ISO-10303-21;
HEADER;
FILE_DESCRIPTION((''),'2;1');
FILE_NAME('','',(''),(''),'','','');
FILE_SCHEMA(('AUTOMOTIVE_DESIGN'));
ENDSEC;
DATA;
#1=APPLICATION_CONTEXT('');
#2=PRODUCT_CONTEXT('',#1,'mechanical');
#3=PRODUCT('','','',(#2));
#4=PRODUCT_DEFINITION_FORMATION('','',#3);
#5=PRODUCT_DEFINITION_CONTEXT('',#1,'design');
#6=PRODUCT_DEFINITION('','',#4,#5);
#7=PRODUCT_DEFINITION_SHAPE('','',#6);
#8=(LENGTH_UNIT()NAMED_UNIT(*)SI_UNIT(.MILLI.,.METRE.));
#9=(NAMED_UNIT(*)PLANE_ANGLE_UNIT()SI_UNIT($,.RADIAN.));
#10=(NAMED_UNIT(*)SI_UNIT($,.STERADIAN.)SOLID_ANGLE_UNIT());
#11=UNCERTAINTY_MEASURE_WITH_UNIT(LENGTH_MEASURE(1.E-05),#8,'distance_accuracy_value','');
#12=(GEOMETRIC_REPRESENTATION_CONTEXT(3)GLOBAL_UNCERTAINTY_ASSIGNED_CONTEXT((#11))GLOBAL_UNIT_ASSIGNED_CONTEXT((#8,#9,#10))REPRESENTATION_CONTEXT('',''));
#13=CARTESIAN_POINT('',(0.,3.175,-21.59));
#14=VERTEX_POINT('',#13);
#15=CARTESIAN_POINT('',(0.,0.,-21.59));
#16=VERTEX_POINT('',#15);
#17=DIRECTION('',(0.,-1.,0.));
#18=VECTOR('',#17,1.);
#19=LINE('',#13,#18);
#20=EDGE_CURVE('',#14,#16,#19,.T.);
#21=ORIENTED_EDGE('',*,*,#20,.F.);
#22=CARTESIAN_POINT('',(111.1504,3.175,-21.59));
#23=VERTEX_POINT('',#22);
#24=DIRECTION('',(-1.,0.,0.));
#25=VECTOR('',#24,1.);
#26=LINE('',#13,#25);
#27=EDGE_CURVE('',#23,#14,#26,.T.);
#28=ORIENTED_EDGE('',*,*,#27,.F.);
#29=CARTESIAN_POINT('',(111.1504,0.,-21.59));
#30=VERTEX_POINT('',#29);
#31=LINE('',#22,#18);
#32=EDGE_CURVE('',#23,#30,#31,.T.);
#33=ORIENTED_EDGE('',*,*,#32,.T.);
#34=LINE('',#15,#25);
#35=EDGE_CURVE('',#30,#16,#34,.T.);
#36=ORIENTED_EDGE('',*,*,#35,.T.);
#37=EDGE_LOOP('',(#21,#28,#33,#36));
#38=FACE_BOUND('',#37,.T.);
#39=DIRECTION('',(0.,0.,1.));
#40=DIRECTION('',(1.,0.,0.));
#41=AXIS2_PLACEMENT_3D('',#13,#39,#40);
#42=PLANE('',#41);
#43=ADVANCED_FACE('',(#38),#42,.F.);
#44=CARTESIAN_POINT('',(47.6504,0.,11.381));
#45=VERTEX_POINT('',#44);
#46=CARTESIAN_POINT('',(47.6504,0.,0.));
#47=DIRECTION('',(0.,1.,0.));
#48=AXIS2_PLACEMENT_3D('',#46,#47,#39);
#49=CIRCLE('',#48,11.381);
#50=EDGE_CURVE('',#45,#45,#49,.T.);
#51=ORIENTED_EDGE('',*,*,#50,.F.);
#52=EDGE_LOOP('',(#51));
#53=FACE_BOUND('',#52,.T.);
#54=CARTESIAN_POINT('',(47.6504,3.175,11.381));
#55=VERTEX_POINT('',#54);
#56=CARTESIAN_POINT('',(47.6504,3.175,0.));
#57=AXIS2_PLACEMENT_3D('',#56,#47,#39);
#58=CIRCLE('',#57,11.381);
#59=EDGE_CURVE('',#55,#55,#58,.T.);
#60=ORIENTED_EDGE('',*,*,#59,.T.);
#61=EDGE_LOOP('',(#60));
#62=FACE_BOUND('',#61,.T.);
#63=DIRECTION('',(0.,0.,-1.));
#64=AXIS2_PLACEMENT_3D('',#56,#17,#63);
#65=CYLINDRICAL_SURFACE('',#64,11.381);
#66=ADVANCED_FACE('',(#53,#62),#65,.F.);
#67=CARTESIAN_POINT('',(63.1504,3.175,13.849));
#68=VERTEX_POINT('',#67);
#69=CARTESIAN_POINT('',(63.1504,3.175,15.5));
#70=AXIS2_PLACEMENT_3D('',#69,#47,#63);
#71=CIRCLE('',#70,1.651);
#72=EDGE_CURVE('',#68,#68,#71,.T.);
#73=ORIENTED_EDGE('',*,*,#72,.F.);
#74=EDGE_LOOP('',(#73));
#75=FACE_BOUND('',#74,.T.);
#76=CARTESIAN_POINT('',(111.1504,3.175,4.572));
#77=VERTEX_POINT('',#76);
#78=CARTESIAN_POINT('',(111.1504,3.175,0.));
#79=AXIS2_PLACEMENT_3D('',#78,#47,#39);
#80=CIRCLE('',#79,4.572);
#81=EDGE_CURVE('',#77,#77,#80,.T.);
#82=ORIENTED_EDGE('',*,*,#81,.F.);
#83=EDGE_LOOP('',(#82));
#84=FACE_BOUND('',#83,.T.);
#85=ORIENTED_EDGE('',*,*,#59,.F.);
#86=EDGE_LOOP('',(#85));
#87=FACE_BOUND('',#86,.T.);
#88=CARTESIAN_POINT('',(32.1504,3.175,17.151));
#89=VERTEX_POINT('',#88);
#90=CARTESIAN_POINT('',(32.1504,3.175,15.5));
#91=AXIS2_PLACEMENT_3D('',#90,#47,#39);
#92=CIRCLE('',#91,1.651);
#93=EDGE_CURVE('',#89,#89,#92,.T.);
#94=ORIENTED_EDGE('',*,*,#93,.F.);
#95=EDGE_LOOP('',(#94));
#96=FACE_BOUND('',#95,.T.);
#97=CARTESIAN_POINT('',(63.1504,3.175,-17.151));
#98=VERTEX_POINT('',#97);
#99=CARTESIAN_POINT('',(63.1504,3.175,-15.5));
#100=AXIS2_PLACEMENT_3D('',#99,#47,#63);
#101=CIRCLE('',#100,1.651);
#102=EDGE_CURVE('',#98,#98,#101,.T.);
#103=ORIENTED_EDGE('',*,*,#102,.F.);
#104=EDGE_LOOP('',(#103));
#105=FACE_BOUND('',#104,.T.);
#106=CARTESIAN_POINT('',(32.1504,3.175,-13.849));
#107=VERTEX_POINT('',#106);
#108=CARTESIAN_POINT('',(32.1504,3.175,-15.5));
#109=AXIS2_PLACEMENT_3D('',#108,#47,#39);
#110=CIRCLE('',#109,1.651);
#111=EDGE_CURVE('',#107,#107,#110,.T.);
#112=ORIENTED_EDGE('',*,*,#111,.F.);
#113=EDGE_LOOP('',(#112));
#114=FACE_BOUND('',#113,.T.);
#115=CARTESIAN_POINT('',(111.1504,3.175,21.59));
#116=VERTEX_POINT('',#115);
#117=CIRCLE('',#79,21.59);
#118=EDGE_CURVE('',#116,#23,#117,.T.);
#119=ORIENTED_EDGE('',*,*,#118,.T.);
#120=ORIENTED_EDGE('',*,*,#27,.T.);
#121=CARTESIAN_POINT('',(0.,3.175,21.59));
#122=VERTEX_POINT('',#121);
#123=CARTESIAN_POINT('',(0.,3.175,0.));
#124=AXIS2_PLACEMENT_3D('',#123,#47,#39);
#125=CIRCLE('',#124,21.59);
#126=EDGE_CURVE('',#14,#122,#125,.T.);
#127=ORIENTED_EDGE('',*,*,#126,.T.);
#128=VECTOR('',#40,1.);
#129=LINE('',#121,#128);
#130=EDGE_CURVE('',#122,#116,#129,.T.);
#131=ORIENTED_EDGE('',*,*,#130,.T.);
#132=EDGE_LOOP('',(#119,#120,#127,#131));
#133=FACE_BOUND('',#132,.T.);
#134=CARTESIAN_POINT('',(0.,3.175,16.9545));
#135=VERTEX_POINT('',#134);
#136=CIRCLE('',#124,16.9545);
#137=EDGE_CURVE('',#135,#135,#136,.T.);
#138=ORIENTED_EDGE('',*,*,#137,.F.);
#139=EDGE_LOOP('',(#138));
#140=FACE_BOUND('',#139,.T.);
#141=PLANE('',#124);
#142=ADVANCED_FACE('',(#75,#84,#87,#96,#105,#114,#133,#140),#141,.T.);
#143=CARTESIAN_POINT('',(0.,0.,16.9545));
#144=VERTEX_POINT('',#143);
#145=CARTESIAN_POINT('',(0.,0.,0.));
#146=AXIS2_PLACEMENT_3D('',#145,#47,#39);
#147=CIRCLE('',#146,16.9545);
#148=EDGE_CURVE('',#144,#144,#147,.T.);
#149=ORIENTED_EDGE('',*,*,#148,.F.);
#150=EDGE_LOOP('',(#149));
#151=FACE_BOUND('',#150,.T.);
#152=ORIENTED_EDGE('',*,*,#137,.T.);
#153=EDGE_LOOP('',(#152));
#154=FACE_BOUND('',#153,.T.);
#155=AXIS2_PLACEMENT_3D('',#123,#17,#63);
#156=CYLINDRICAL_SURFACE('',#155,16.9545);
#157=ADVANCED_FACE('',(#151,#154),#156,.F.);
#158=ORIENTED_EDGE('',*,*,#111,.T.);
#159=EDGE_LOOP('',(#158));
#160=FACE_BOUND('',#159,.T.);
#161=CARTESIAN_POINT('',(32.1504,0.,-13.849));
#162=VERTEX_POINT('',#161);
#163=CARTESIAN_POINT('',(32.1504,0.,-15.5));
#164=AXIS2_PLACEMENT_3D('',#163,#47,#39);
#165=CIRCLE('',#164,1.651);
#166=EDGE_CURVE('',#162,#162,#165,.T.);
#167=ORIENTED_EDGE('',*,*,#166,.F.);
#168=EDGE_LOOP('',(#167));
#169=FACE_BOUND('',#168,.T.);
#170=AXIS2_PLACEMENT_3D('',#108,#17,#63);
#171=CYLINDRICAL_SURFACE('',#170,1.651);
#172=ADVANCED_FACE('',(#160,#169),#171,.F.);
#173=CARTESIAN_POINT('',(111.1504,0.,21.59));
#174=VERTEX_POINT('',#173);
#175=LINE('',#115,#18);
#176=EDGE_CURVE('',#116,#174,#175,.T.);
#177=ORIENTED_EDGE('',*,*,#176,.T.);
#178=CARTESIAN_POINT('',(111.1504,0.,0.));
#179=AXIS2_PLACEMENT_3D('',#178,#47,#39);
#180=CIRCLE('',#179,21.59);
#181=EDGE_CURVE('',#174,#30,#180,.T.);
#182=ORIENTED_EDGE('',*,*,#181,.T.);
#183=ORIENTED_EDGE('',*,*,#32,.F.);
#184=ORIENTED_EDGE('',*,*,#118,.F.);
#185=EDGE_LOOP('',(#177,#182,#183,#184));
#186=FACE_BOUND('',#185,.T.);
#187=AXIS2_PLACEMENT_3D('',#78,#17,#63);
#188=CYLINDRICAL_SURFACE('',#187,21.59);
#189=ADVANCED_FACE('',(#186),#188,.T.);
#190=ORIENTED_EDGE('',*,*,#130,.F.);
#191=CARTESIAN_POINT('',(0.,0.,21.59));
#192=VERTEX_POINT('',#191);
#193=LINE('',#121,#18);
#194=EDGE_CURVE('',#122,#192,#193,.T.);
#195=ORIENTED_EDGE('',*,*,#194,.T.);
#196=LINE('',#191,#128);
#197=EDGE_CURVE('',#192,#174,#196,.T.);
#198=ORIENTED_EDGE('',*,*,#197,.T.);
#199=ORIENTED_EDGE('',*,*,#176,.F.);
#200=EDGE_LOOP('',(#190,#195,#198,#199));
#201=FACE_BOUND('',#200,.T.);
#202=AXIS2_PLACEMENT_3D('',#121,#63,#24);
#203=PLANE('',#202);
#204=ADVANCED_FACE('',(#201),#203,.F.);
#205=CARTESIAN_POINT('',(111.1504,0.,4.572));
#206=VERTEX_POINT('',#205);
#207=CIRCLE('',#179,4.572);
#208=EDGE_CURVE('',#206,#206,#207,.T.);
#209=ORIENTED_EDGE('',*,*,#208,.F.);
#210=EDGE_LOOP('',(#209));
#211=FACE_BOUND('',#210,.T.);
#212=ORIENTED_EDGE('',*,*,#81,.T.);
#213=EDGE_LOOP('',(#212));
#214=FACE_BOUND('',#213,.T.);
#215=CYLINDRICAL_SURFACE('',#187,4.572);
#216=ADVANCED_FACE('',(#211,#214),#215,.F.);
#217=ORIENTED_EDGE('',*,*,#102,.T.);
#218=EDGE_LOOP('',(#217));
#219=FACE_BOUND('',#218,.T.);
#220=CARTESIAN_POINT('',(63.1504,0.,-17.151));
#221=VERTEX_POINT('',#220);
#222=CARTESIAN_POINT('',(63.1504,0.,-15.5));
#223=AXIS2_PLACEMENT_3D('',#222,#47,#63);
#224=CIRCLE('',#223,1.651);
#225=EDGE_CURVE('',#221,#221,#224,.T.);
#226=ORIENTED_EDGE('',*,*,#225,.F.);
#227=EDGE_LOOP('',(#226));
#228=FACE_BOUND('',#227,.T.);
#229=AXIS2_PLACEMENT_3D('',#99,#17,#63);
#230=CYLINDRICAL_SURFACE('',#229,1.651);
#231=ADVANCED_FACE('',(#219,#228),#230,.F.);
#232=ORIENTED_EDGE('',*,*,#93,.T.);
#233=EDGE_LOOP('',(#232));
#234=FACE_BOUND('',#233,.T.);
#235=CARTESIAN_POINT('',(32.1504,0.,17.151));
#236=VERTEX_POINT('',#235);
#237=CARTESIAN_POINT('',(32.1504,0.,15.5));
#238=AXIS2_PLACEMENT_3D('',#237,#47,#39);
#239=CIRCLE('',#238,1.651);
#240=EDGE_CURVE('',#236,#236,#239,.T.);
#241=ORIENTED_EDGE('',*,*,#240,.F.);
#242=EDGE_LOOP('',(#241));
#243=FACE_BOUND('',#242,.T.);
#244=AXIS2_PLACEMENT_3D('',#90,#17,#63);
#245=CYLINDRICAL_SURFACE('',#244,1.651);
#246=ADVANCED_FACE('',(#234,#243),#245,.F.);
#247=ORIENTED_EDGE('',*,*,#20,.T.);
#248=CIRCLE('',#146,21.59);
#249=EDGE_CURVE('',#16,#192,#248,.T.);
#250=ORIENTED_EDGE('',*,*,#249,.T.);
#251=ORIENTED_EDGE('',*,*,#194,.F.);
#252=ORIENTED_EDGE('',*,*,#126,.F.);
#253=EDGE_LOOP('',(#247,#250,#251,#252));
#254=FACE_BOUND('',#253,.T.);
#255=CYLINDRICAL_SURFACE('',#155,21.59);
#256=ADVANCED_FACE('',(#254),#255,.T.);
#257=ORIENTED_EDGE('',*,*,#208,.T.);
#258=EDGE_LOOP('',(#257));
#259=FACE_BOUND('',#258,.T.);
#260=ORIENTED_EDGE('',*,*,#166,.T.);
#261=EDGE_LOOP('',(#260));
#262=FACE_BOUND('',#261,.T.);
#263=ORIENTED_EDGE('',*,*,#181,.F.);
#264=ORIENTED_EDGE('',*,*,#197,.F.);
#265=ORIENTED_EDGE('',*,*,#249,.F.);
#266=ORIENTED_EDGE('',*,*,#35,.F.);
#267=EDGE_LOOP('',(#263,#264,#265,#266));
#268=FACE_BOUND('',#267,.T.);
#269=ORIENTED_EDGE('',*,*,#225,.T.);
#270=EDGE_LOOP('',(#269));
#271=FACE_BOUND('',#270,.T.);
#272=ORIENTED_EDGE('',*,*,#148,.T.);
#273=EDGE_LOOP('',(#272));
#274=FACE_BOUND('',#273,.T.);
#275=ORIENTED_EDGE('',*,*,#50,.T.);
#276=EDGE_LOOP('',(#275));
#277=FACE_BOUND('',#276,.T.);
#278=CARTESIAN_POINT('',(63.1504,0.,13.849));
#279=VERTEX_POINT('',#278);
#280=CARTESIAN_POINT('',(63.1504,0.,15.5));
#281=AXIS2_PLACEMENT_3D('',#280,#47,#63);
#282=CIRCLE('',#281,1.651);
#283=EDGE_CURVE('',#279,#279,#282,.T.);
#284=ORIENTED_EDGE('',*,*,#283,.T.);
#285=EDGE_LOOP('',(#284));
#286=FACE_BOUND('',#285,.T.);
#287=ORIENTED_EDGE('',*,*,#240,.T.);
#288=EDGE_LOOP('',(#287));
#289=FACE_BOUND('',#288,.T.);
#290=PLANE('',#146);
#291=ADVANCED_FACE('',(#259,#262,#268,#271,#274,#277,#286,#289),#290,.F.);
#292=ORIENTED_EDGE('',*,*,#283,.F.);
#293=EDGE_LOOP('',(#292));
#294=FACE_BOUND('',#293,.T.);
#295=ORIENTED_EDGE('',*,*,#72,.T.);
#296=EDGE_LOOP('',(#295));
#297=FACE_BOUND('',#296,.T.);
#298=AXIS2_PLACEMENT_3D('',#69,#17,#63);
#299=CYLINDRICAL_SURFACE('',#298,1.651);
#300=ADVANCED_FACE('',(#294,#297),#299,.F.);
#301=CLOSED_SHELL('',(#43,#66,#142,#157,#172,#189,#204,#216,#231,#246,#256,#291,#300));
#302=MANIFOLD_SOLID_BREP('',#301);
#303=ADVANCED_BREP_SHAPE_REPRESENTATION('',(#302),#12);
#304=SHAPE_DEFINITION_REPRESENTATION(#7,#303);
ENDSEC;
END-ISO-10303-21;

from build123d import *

# Parameters (mm, degrees)
SKETCH1_R           = 16.9545
SKETCH1_R_2         = 4.572
SKETCH1_R_3         = 11.380999971
SKETCH1_R_4         = 1.651
BOSS_EXTRUDE1_DEPTH = 3.175


with BuildPart() as part:
    # Sketch1 → Boss-Extrude1 (new body)
    with BuildSketch(Plane(origin=(0, 0, 0), x_dir=(1, 0, 0), z_dir=(0, 1, 0))):
        with BuildLine():
            Line((0, 21.59), (111.1504, 21.59))
            ThreePointArc((111.1504, 21.59), (132.7404, 0), (111.1504, -21.59))
            Line((111.1504, -21.59), (0, -21.59))
            ThreePointArc((0, -21.59), (-21.59, 0), (0, 21.59))
        make_face()
        with Locations(Location((0, 0, 0), (0, 0, 270))):
            Circle(SKETCH1_R, mode=Mode.SUBTRACT)
        with Locations(Location((111.1504, 0, 0), (0, 0, 270))):
            Circle(SKETCH1_R_2, mode=Mode.SUBTRACT)
        with Locations(Location((47.6504, 0, 0), (0, 0, 270))):
            Circle(SKETCH1_R_3, mode=Mode.SUBTRACT)
        with Locations(Location((32.1504, -15.5, 0), (0, 0, 270))):
            Circle(SKETCH1_R_4, mode=Mode.SUBTRACT)
        with Locations(Location((32.1504, 15.5, 0), (0, 0, 270))):
            Circle(SKETCH1_R_4, mode=Mode.SUBTRACT)
        with Locations(Location((63.1504, 15.5, 0), (0, 0, 90))):
            Circle(SKETCH1_R_4, mode=Mode.SUBTRACT)
        with Locations(Location((63.1504, -15.5, 0), (0, 0, 90))):
            Circle(SKETCH1_R_4, mode=Mode.SUBTRACT)
    extrude(amount=BOSS_EXTRUDE1_DEPTH)


solid = part.part
